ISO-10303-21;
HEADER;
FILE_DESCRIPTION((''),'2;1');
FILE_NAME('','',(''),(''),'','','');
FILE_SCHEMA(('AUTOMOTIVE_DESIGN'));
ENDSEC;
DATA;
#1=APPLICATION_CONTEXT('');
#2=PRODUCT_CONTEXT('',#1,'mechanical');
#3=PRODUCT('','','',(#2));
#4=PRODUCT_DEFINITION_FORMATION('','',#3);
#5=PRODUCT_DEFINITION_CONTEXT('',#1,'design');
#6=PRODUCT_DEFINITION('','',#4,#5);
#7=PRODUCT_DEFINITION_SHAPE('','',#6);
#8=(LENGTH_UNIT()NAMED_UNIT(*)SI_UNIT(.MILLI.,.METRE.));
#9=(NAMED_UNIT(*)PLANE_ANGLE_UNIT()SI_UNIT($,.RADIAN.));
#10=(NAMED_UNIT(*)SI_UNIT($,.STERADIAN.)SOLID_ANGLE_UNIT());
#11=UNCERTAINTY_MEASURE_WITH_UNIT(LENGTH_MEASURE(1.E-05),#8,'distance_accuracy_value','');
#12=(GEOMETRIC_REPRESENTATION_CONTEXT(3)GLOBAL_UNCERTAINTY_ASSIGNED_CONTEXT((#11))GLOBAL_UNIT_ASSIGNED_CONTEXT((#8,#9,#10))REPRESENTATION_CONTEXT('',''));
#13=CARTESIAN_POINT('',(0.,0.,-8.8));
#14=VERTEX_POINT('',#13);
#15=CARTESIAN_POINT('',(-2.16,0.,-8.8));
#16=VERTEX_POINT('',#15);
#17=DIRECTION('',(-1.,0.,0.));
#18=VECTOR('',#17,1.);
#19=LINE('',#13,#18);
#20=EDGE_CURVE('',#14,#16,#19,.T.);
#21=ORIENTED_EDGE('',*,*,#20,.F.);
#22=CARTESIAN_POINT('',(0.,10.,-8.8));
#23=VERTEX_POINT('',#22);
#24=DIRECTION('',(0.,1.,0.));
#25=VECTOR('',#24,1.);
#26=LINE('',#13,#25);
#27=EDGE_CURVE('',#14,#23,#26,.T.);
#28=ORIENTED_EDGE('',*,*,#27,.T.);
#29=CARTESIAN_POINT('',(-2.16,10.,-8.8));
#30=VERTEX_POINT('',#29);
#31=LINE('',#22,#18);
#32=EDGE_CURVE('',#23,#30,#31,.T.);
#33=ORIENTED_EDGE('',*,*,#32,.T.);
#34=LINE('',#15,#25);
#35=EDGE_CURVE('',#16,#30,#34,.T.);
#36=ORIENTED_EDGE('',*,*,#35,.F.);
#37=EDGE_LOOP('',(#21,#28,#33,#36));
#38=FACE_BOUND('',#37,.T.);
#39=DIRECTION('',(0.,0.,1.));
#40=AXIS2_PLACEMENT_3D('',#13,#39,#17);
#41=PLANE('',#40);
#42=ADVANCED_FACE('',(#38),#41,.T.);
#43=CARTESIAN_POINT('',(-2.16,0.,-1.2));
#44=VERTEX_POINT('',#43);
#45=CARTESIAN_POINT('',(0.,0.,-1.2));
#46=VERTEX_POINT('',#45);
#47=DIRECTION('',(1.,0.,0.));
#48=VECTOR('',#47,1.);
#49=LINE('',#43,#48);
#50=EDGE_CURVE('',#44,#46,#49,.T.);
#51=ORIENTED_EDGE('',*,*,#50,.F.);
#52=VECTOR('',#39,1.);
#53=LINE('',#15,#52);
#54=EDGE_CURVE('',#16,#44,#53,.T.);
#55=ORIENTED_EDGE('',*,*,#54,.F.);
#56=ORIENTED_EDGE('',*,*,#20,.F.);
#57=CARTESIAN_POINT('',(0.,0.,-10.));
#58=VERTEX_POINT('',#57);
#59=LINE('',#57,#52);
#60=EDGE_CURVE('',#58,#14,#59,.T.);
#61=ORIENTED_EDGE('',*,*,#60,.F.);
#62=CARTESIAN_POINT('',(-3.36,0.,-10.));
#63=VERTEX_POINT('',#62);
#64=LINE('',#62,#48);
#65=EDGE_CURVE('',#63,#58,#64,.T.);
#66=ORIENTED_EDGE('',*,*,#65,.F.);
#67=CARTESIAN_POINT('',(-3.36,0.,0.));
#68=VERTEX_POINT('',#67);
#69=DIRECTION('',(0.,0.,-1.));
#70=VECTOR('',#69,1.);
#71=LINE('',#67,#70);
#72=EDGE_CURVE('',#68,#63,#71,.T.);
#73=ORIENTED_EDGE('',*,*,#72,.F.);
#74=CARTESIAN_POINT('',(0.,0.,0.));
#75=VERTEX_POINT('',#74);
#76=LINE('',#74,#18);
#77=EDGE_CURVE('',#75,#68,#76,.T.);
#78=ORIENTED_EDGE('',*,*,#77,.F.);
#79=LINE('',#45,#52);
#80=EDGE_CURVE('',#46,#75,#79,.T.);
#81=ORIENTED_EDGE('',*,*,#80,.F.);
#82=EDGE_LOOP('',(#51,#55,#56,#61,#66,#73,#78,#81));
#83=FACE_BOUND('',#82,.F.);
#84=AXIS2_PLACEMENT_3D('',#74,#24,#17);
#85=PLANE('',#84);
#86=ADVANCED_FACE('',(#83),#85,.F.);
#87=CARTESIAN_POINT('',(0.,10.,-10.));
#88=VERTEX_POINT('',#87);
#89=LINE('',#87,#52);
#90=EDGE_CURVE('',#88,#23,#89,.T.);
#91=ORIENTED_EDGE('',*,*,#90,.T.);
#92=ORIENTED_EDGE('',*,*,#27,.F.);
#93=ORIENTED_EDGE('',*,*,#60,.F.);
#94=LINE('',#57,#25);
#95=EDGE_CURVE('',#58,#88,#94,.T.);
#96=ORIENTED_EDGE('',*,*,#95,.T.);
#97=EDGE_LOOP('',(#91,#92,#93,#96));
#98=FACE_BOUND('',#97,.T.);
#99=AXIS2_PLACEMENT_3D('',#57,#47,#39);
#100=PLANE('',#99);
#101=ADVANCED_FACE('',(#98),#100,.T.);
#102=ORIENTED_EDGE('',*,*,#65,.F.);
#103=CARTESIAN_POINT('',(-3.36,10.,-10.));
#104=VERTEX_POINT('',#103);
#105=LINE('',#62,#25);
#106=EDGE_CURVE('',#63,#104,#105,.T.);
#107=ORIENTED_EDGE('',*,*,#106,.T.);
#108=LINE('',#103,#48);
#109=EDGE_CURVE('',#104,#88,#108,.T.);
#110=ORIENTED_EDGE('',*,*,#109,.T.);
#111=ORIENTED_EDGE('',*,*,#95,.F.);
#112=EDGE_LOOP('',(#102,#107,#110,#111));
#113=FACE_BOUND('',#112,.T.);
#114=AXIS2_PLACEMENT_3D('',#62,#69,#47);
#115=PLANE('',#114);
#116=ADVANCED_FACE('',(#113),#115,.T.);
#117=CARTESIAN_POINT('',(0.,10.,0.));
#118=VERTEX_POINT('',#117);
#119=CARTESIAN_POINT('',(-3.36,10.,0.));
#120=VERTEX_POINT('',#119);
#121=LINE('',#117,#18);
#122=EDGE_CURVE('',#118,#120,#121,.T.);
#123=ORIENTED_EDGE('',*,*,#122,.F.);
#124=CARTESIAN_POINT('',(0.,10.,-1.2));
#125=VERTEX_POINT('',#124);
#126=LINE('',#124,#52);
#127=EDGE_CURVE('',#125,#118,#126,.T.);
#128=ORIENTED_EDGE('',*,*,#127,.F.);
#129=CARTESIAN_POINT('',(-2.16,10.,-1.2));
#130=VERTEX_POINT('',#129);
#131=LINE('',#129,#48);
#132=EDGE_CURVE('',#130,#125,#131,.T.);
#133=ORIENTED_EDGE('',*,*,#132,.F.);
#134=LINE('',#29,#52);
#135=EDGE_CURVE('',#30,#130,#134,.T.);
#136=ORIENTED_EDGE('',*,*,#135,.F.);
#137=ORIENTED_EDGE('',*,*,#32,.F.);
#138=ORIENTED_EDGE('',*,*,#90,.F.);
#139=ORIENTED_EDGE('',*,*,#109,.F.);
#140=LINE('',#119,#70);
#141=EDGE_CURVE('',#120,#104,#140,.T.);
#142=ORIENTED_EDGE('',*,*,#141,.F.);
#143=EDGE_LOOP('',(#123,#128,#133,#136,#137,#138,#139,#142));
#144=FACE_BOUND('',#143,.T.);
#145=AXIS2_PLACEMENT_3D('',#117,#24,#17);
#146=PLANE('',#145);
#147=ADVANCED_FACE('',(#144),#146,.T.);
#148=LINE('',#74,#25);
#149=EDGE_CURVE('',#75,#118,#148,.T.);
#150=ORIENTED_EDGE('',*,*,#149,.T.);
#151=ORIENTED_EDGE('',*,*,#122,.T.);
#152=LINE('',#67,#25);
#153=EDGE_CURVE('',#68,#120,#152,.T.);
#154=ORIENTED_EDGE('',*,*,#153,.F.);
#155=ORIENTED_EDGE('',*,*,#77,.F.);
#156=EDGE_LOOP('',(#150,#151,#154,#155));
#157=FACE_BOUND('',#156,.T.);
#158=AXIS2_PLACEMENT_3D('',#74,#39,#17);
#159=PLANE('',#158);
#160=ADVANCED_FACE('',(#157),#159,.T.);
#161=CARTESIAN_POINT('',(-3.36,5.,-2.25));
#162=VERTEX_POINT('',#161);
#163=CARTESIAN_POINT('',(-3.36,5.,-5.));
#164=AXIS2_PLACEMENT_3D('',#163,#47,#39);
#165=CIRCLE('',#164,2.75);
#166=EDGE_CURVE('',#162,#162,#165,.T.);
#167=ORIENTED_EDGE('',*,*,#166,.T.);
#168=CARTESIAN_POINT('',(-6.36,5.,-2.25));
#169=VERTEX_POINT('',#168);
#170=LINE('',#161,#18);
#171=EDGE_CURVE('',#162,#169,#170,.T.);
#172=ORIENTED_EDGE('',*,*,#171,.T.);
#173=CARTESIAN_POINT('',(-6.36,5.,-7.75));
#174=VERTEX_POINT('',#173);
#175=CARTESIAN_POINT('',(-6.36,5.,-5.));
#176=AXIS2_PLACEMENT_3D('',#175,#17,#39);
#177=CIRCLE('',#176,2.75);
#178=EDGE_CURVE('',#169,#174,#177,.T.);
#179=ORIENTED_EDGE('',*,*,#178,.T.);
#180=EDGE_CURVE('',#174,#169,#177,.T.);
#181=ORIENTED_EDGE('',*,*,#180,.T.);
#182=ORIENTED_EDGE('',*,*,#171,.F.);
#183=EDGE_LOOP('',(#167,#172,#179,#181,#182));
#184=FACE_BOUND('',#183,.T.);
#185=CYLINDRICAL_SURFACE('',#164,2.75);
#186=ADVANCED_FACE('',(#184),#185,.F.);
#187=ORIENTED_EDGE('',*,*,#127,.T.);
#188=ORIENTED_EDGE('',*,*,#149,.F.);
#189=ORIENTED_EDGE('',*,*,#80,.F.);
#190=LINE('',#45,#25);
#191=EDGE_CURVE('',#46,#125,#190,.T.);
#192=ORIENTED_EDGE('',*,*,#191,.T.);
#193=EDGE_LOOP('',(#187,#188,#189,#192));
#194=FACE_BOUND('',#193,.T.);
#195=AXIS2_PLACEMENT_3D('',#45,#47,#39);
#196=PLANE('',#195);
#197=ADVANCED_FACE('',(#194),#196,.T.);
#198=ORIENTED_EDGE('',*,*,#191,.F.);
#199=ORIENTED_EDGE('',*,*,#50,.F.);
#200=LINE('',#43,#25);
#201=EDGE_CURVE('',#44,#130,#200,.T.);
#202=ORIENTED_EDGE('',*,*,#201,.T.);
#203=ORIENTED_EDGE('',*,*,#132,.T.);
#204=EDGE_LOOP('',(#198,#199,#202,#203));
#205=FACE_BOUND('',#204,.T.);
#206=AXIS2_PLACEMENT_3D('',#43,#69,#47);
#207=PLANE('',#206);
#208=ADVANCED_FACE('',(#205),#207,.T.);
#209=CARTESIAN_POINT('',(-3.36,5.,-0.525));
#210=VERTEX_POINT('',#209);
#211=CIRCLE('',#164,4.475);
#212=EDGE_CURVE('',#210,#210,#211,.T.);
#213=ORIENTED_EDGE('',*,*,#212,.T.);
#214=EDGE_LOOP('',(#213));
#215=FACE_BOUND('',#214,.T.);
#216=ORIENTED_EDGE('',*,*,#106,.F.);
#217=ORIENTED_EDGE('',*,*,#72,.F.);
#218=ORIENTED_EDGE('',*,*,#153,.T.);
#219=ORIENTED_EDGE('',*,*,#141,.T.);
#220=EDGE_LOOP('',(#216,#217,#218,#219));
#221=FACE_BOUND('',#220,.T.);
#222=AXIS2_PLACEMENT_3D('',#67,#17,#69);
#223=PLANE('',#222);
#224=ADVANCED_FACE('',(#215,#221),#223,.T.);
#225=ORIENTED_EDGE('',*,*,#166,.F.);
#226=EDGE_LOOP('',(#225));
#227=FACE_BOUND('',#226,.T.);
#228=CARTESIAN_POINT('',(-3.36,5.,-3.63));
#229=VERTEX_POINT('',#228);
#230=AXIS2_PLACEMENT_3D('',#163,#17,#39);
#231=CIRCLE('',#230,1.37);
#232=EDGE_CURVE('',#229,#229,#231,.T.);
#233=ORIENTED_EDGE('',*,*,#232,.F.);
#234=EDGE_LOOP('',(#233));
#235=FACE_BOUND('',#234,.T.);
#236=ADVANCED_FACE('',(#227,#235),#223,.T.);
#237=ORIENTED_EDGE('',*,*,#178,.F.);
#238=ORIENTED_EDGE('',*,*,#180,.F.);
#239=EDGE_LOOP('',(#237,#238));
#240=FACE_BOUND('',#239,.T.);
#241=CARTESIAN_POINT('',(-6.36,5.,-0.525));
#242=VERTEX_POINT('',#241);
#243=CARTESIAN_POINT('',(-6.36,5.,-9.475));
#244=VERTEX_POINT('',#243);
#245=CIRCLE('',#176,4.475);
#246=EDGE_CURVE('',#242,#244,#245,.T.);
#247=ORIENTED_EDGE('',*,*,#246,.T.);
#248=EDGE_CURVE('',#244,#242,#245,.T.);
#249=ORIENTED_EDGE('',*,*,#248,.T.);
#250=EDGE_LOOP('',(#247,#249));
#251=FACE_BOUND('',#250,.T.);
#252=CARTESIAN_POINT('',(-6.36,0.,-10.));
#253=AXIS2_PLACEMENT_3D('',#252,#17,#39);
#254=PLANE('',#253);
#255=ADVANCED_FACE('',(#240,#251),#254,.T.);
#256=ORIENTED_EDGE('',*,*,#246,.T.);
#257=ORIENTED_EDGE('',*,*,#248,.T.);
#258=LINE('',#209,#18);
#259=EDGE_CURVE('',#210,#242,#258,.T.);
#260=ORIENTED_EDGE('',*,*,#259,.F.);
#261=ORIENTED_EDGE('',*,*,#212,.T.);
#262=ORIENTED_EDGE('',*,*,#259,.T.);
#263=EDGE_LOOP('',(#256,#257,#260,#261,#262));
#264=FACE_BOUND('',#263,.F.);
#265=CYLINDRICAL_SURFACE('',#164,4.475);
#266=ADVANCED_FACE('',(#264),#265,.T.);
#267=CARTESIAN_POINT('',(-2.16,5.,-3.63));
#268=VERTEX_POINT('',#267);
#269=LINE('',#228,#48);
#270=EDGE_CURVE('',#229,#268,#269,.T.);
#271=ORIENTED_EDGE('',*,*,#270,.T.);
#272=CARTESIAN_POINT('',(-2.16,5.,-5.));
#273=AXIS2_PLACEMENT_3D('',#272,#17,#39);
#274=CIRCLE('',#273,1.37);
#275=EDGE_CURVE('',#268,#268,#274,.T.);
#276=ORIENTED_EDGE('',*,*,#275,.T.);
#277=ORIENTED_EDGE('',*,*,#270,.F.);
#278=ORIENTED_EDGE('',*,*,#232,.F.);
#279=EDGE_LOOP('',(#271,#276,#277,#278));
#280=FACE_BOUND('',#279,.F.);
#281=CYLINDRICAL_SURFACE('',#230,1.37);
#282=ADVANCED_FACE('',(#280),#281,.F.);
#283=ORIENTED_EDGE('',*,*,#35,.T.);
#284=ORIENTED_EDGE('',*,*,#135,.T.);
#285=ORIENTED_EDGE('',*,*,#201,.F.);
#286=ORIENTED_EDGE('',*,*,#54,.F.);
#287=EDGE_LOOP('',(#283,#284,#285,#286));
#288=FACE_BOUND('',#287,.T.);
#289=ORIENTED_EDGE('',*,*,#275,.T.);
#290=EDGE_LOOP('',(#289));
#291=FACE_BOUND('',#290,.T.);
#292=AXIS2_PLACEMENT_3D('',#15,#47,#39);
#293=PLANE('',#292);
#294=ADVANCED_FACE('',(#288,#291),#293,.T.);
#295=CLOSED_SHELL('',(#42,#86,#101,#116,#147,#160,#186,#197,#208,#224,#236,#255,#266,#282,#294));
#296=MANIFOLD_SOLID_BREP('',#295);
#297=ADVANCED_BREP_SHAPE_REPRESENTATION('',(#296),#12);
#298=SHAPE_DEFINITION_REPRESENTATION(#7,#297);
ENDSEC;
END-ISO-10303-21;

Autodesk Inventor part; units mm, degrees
ref_plane "YZ Plane" through (0, 0, 0) normal (1, 0, 0) x (0, 1, 0)
ref_plane "XZ Plane" through (0, 0, 0) normal (0, 1, 0) x (-1, 0, 0)
ref_plane "XY Plane" through (0, 0, 0) normal (0, 0, 1) x (1, 0, 0)
sketch "Sketch1" plane through (0, 0, 0) normal (0, 1, 0) x (-1, 0, 0)
  line L0 (0, 0) -> (3.36, 0)
  line L1 (3.36, 0) -> (3.36, -10)
  line L2 (3.36, -10) -> (0, -10)
  line L3 (0, -10) -> (0, -8.8)
  line L4 (0, -8.8) -> (2.16, -8.8)
  line L5 (2.16, -8.8) -> (2.16, -1.2)
  line L6 (2.16, -1.2) -> (0, -1.2)
  line L7 (0, -1.2) -> (0, 0)
  dimension "d0" = 3.36
  dimension "d1" = 10
  dimension "d2" = 1.2
  dimension "d3" = 2.16
  dimension "d4" = 7.6
extrude "Extrusion1" add sketch "Sketch1" along normal blind 10
sketch "Sketch2" plane through (-3.36, 0, -10) normal (-1, 0, 0) x (0, 0, 1)
  line L0 (1.2, 0) -> (0, 0) projected
  line L1 (0, 0) -> (0, 5)
  line L2 (0, 5) -> (5, 5)
  circle A0 centre (5, 5) radius 1.37
  circle A1 centre (5, 5) radius 2.75
  circle A2 centre (5, 5) radius 4.475
  point P0 (10, 0)
  dimension "d7" = 5
  dimension "d8" = 5
  dimension "d9" = 2.74
  dimension "d10" = 5.5
  dimension "d11" = 8.95
extrude "Extrusion2" add sketch "Sketch2" along normal blind 3 contours A2
extrude "Extrusion3" cut sketch "Sketch2" against normal through all contours A0
properties part number "MMAE 232 CAD Assignment 2 Servo Horn 2-Nicholas Skiba"
